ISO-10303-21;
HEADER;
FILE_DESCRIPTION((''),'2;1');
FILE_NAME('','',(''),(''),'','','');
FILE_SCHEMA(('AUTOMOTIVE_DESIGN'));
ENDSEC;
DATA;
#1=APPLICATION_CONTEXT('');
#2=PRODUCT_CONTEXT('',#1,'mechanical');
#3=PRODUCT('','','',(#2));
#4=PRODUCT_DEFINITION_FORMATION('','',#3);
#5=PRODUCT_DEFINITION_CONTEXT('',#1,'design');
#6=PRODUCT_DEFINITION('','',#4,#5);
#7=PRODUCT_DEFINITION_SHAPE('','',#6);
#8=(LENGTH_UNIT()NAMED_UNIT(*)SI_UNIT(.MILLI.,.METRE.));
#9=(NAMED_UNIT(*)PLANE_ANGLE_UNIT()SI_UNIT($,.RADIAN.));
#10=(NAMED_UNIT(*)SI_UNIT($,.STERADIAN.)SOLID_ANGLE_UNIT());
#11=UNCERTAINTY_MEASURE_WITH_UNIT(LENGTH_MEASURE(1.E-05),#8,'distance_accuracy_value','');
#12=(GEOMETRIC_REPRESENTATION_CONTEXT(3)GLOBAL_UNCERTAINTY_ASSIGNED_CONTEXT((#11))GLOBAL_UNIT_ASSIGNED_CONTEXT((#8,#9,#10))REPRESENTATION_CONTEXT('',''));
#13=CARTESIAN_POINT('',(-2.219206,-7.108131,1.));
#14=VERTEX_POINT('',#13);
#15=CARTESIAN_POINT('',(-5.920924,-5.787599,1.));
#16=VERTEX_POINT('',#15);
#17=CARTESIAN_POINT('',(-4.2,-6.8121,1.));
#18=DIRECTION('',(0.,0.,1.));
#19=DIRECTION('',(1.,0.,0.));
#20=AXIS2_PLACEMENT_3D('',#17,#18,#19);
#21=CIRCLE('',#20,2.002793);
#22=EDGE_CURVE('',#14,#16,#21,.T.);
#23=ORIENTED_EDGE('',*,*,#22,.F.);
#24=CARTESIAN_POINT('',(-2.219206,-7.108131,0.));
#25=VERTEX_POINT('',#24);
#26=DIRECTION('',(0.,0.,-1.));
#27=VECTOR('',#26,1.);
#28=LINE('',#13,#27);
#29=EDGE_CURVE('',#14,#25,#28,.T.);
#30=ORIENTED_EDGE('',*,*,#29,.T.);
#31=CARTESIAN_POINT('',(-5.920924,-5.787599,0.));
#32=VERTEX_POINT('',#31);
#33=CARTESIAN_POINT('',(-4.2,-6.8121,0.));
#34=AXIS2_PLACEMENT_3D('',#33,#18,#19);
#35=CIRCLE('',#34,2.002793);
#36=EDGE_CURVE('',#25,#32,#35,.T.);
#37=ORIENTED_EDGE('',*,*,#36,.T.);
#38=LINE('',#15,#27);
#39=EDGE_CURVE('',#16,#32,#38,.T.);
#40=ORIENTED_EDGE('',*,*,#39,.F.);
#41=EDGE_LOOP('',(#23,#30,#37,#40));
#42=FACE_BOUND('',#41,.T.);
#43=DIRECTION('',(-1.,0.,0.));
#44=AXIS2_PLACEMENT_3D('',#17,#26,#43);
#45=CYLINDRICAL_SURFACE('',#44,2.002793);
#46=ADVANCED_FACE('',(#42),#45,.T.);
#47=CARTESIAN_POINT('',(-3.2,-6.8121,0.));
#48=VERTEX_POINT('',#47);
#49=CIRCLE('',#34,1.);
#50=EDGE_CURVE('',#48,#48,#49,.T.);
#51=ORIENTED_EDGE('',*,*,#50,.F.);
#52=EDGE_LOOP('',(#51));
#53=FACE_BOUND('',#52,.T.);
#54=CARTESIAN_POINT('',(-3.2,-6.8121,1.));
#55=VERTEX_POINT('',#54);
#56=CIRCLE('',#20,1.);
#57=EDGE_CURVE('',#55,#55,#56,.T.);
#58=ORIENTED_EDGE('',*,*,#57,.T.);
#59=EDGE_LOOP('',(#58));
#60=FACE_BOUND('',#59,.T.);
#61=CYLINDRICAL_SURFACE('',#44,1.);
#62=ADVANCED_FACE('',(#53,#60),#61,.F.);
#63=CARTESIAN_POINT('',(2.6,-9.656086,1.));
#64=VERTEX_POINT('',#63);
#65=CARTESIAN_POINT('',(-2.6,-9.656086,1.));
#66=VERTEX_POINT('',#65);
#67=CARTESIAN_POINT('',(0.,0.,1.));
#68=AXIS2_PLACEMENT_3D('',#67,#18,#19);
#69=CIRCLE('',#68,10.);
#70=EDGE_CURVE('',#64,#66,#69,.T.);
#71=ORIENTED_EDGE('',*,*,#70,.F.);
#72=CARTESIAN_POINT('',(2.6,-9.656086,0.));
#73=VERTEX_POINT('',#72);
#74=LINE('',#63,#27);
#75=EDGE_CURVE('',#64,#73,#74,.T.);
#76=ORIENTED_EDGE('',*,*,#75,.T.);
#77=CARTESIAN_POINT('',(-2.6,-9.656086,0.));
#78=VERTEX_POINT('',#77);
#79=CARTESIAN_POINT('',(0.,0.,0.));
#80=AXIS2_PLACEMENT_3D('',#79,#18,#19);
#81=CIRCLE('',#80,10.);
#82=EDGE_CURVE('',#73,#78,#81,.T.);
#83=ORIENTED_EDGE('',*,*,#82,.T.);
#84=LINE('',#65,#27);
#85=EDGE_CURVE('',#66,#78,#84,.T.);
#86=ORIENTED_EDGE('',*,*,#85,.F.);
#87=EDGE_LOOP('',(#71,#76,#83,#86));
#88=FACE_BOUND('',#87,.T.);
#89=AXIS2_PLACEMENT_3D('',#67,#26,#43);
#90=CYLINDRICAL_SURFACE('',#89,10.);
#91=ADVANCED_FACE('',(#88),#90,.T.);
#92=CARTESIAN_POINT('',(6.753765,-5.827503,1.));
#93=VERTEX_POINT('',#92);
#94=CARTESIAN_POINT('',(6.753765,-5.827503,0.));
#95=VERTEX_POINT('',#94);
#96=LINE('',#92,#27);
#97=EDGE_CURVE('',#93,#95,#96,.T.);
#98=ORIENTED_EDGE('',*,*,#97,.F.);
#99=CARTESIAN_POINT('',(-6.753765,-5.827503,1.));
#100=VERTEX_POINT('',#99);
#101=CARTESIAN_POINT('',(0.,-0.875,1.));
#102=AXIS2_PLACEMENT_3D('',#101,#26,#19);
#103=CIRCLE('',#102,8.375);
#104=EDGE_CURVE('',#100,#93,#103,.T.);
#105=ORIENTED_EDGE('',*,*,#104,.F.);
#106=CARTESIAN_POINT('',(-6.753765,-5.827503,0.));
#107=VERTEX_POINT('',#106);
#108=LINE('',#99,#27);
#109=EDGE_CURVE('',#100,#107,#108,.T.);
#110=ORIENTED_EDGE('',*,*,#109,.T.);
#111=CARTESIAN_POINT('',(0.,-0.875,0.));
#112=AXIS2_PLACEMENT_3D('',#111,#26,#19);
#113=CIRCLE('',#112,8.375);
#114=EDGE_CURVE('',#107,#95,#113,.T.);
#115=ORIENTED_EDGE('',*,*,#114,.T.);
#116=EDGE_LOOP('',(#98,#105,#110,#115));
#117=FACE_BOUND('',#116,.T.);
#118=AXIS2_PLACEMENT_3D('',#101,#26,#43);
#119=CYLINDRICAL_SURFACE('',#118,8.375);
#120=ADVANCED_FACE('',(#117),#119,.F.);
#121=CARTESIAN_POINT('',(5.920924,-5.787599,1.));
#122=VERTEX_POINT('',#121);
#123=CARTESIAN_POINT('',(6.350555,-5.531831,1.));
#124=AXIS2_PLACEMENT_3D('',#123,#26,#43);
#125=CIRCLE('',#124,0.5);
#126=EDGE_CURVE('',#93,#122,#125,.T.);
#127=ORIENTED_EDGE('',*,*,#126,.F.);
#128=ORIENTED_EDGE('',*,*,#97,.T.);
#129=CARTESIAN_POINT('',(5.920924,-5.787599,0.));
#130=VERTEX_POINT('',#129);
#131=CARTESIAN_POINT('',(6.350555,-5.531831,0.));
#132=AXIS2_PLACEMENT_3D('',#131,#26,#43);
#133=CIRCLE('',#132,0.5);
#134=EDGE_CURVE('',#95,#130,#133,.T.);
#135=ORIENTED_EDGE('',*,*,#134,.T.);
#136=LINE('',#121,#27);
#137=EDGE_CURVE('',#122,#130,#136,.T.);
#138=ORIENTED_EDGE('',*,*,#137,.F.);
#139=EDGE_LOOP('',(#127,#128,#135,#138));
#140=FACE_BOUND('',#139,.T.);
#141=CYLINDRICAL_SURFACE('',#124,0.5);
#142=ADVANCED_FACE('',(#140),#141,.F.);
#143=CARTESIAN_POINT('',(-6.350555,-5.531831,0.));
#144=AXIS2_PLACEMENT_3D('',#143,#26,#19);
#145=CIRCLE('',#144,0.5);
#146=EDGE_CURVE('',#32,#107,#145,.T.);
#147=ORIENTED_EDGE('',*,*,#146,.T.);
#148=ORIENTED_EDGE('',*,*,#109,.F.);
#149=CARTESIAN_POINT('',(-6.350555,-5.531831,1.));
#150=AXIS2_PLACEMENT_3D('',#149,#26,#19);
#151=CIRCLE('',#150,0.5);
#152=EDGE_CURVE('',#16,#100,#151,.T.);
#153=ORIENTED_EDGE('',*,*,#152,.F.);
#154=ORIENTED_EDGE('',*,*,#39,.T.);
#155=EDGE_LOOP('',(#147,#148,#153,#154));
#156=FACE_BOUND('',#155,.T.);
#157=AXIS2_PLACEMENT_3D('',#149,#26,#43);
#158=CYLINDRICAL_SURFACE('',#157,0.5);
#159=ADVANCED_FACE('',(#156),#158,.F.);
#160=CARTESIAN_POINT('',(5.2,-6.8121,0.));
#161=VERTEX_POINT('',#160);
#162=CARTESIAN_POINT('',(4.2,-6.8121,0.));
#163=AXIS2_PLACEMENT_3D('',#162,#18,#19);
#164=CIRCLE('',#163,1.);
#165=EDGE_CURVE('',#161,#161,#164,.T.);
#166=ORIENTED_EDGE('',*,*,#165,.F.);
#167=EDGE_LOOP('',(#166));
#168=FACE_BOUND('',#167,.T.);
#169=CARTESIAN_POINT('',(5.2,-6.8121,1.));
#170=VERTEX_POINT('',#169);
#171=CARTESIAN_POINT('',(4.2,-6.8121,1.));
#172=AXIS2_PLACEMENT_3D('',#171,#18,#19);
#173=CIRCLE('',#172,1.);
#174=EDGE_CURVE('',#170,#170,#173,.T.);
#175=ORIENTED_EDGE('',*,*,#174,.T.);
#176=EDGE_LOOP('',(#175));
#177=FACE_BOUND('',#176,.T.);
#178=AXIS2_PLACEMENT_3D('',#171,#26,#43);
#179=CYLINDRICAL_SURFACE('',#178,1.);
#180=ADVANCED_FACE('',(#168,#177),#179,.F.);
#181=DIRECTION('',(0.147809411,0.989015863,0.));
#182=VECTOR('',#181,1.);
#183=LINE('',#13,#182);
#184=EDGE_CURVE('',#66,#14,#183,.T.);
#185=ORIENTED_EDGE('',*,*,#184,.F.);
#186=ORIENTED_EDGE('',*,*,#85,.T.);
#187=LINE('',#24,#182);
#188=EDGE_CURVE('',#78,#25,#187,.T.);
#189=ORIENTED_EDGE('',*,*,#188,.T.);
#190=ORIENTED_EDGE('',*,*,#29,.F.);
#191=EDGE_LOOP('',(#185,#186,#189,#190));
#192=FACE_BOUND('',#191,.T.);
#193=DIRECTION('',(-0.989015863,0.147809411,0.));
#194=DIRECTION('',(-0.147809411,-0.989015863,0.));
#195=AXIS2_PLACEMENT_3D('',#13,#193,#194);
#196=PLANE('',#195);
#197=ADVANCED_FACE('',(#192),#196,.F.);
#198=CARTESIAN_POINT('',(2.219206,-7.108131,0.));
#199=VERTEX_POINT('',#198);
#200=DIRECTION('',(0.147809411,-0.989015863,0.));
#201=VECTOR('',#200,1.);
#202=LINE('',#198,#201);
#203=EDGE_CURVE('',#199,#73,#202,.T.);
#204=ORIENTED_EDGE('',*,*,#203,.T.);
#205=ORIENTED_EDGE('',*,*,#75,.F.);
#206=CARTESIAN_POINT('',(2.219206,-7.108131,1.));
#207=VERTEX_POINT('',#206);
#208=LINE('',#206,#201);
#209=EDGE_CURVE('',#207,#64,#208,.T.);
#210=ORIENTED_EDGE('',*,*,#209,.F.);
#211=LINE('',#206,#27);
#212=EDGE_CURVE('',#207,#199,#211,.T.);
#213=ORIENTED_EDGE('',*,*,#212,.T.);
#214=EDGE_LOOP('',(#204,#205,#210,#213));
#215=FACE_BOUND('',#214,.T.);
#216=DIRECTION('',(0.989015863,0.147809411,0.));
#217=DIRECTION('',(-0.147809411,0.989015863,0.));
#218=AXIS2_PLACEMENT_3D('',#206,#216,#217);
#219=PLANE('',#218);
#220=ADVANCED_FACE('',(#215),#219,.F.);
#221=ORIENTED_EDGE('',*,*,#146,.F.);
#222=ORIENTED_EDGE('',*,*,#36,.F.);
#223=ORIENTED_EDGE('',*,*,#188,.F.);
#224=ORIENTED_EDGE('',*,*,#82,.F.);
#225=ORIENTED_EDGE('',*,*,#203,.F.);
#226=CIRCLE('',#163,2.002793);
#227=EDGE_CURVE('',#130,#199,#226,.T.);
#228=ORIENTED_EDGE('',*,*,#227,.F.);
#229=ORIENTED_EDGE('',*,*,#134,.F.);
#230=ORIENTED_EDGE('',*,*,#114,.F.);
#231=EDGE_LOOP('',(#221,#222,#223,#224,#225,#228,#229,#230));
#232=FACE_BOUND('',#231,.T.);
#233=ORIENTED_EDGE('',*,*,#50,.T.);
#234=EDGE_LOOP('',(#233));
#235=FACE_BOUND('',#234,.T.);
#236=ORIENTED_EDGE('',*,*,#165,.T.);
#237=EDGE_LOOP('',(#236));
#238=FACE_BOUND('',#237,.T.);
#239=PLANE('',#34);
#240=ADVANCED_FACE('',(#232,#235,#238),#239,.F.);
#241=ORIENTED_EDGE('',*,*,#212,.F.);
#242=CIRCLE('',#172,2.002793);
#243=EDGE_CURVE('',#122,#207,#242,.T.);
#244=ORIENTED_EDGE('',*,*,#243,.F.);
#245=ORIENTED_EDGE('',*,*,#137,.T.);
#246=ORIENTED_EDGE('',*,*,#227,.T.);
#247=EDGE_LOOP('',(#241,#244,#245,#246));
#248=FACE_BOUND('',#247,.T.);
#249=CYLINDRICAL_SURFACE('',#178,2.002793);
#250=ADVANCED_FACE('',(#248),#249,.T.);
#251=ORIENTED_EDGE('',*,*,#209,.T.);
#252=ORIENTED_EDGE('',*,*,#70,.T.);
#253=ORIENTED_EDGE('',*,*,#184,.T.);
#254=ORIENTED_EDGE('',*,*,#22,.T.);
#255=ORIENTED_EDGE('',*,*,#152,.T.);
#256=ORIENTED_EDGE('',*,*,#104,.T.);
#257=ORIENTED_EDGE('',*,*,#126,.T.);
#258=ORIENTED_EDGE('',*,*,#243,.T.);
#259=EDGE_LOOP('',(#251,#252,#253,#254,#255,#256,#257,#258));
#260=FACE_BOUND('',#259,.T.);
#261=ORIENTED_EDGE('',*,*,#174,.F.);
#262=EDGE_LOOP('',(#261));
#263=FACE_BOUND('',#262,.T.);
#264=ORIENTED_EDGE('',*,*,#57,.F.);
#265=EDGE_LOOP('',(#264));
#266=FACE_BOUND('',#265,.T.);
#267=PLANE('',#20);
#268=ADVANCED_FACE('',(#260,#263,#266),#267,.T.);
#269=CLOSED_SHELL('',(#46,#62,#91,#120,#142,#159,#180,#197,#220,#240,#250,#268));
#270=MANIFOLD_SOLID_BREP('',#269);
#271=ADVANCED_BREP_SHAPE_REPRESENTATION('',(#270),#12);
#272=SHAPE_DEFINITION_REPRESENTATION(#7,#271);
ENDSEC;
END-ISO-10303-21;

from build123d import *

# Parameters (mm, degrees)
SKETCH1_R           = 1
BOSS_EXTRUDE1_DEPTH = 1


with BuildPart() as part:
    # Sketch1 → Boss-Extrude1 (new body)
    with BuildSketch(Plane.XY):
        with BuildLine():
            Line((-2.219205601, -7.108131345), (-2.6, -9.656086164))
            ThreePointArc((-2.6, -9.656086164), (0, 10), (2.6, -9.656086164))
            Line((2.6, -9.656086164), (2.219205601, -7.108131345))
            ThreePointArc((2.219205601, -7.108131345), (3.527070168, -4.925741596), (5.920924078, -5.787599008))
            ThreePointArc((5.920924078, -5.787599008), (6.326626004, -6.031258149), (6.753764885, -5.82750289))
            ThreePointArc((6.753764885, -5.82750289), (0, 7.5), (-6.753764885, -5.82750289))
            ThreePointArc((-6.753764885, -5.82750289), (-6.326626004, -6.031258149), (-5.920924078, -5.787599008))
            ThreePointArc((-5.920924078, -5.787599008), (-3.527070168, -4.925741596), (-2.219205601, -7.108131345))
        make_face()
        with Locations((-4.2, -6.812099638)):
            Circle(SKETCH1_R, mode=Mode.SUBTRACT)
        with Locations((4.2, -6.812099638)):
            Circle(SKETCH1_R, mode=Mode.SUBTRACT)
    extrude(amount=BOSS_EXTRUDE1_DEPTH)


solid = part.part
